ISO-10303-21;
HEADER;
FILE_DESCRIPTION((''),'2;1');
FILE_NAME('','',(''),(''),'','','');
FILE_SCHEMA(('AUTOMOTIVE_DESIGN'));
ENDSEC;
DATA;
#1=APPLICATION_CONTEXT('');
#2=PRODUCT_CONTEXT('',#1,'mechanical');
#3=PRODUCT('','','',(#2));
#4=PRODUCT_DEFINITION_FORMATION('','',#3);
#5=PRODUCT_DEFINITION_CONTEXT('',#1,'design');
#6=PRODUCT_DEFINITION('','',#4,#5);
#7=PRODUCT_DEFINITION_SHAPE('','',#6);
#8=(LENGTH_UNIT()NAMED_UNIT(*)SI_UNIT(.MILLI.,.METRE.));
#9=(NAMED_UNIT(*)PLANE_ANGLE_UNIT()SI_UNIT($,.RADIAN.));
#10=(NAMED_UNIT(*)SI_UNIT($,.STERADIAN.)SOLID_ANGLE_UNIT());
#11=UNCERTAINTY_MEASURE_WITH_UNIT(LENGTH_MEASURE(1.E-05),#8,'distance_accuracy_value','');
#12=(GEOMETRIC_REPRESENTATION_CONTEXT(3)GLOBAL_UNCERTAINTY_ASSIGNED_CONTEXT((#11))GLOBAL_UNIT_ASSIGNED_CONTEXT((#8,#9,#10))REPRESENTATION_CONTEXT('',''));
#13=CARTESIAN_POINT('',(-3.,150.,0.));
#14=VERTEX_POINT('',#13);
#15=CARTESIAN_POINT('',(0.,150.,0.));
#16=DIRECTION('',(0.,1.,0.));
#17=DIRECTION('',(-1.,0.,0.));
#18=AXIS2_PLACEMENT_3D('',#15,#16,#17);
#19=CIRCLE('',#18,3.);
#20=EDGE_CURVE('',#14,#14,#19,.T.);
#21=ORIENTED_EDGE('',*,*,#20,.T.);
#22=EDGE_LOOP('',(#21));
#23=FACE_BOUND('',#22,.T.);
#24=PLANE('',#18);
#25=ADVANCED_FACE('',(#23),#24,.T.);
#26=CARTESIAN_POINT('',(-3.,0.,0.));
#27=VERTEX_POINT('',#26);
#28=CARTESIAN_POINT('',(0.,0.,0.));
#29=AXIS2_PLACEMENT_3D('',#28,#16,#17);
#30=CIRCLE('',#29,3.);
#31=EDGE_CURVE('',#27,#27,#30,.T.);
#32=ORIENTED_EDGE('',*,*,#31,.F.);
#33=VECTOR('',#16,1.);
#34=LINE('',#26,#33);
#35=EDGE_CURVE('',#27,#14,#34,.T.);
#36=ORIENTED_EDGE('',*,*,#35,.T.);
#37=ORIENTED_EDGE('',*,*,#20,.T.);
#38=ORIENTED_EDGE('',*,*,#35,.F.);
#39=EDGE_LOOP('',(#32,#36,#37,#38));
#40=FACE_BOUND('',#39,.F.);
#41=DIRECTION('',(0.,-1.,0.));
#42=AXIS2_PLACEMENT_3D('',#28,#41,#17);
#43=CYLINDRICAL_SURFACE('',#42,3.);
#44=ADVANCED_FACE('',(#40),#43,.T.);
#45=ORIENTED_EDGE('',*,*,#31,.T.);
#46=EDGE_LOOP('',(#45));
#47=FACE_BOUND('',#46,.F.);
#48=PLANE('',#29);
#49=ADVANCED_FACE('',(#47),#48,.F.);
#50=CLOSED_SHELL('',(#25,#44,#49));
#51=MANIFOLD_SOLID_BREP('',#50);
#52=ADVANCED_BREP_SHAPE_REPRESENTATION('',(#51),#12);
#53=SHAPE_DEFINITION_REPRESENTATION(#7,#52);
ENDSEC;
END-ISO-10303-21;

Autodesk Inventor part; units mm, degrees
ref_plane "YZ Plane" through (0, 0, 0) normal (1, 0, 0) x (0, 1, 0)
ref_plane "XZ Plane" through (0, 0, 0) normal (0, 1, 0) x (-1, 0, 0)
ref_plane "XY Plane" through (0, 0, 0) normal (0, 0, 1) x (1, 0, 0)
sketch "Sketch1" plane through (0, 0, 0) normal (0, 1, 0) x (-1, 0, 0)
  circle A0 centre (0, 0) radius 3
  dimension "d0" = 6
extrude "Extrusion1" add sketch "Sketch1" along normal blind 150
properties part number "00_Thorlabs_Rod_150mm"
